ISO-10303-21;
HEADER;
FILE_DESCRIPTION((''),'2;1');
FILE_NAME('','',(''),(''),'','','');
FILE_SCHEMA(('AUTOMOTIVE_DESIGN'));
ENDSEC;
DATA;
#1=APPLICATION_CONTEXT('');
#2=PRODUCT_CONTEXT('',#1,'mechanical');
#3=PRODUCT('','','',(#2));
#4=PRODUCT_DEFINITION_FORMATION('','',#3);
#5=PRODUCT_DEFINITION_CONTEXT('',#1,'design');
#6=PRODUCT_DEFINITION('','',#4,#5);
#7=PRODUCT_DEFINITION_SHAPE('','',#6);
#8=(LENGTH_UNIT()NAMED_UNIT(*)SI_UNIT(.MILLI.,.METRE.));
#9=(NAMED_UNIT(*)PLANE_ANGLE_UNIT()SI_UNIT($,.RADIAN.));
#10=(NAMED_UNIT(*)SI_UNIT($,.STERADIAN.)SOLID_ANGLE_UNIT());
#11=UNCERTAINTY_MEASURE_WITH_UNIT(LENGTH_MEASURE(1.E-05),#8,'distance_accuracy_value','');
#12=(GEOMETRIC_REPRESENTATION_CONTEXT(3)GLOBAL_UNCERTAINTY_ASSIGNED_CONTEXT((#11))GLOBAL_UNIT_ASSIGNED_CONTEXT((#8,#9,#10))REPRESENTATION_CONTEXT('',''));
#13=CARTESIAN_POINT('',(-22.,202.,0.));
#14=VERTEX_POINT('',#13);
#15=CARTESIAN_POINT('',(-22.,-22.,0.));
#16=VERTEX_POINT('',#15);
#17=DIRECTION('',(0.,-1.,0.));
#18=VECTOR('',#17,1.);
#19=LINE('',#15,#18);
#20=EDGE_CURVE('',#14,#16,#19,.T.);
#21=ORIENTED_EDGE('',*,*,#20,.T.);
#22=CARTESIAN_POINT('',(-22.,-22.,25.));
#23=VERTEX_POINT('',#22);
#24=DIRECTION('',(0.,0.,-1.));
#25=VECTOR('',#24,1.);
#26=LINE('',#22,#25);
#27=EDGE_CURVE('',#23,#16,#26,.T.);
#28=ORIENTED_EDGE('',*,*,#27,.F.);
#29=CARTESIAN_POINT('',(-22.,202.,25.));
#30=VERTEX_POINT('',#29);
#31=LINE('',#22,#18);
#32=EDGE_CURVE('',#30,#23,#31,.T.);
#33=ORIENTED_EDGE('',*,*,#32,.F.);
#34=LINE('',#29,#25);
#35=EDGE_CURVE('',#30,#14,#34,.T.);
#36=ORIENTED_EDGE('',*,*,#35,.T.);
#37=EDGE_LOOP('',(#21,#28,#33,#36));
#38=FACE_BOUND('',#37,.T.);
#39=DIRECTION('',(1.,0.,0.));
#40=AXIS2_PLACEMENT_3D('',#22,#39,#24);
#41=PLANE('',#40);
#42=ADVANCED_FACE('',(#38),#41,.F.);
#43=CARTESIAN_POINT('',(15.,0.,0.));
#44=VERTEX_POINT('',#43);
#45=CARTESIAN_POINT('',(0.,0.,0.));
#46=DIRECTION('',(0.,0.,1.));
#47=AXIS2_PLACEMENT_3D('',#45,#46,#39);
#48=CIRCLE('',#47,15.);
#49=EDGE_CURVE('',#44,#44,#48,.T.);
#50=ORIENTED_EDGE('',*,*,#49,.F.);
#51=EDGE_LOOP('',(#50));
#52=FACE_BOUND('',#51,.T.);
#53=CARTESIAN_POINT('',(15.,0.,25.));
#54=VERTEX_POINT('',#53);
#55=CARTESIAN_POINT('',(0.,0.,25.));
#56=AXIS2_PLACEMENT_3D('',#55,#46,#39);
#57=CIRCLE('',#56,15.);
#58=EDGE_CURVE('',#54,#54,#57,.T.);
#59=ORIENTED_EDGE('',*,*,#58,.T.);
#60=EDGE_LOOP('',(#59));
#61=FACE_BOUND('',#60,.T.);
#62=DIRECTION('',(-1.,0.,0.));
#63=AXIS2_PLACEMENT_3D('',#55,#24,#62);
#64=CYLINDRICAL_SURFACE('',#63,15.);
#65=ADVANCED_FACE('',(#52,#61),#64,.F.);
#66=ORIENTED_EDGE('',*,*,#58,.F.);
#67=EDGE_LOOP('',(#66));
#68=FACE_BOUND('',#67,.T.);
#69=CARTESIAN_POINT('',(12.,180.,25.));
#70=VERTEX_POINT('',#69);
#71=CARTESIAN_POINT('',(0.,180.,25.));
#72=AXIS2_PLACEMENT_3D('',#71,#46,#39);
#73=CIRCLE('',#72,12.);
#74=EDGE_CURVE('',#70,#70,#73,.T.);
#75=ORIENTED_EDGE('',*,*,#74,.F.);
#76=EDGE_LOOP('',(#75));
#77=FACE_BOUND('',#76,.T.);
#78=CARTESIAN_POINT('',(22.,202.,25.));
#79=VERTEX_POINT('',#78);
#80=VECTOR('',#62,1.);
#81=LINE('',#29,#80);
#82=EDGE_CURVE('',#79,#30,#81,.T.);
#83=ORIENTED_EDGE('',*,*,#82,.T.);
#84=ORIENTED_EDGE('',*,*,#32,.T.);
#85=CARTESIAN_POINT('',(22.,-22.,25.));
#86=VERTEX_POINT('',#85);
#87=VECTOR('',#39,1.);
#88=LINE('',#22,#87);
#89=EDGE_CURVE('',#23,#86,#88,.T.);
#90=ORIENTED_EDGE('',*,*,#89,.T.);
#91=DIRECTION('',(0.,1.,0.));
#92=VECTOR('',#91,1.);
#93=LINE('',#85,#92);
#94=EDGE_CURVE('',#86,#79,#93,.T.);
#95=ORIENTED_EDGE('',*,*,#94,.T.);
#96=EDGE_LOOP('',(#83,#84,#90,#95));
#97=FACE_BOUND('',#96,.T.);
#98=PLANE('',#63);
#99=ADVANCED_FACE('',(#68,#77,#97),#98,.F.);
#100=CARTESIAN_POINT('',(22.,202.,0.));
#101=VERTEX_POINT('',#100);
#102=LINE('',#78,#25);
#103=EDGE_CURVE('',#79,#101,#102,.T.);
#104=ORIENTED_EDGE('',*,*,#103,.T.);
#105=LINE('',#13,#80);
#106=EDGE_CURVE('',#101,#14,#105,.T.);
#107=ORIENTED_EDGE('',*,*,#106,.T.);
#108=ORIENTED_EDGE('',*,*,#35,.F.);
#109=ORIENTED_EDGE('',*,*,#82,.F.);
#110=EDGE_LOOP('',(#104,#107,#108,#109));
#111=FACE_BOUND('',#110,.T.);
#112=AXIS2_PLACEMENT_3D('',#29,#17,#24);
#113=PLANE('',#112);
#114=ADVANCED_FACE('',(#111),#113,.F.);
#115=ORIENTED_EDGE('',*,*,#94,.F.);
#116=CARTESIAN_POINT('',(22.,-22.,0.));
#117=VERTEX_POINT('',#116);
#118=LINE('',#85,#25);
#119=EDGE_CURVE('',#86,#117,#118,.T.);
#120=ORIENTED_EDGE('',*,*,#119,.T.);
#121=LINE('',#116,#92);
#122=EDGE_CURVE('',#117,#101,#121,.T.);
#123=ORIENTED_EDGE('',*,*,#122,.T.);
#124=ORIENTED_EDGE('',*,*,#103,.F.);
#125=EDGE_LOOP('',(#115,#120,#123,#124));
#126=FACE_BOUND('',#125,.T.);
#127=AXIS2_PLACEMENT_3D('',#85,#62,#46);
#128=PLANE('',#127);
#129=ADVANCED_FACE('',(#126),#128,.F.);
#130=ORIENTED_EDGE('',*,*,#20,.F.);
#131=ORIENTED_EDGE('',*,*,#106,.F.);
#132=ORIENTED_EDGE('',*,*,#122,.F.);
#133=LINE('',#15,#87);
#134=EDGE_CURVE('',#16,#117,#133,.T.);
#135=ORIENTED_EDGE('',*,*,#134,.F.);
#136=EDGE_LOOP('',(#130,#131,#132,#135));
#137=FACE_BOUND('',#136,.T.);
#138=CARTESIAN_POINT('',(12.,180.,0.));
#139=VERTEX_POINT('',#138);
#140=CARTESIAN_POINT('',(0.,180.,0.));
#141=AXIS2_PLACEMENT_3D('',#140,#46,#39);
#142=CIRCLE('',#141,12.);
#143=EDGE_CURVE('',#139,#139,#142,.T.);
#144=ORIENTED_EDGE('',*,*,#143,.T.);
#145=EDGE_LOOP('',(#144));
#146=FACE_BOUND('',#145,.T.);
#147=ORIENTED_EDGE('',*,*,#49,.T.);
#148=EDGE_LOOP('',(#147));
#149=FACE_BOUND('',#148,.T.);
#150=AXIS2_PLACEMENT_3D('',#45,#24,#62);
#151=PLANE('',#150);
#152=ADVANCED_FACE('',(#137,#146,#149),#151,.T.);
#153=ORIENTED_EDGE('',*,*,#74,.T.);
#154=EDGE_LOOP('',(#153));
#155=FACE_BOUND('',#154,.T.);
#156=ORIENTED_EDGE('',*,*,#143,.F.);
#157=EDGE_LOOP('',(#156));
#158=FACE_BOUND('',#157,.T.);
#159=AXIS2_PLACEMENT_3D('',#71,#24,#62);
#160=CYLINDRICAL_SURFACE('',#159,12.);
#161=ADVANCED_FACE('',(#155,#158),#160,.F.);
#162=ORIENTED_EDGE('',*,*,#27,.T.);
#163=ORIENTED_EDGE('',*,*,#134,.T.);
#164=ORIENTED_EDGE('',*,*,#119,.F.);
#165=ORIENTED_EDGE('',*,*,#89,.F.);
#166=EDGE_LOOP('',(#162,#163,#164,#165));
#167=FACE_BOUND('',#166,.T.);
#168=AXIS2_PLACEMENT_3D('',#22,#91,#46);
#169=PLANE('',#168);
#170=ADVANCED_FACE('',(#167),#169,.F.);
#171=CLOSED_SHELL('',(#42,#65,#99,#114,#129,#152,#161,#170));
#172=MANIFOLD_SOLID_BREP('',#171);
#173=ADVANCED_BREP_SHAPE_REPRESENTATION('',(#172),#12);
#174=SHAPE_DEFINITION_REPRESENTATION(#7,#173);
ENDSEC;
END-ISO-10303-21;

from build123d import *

# Parameters (mm, degrees)
SKETCH1_W           = 44
SKETCH1_H           = 224
SKETCH1_R           = 15
SKETCH1_R_2         = 12
BOSS_EXTRUDE1_DEPTH = 25


with BuildPart() as part:
    # Sketch1 → Boss-Extrude1 (new body)
    with BuildSketch(Plane.XY):
        with Locations((0, 90)):
            Rectangle(SKETCH1_W, SKETCH1_H)
        Circle(SKETCH1_R, mode=Mode.SUBTRACT)
        with Locations((0, 180)):
            Circle(SKETCH1_R_2, mode=Mode.SUBTRACT)
    extrude(amount=BOSS_EXTRUDE1_DEPTH)


solid = part.part
